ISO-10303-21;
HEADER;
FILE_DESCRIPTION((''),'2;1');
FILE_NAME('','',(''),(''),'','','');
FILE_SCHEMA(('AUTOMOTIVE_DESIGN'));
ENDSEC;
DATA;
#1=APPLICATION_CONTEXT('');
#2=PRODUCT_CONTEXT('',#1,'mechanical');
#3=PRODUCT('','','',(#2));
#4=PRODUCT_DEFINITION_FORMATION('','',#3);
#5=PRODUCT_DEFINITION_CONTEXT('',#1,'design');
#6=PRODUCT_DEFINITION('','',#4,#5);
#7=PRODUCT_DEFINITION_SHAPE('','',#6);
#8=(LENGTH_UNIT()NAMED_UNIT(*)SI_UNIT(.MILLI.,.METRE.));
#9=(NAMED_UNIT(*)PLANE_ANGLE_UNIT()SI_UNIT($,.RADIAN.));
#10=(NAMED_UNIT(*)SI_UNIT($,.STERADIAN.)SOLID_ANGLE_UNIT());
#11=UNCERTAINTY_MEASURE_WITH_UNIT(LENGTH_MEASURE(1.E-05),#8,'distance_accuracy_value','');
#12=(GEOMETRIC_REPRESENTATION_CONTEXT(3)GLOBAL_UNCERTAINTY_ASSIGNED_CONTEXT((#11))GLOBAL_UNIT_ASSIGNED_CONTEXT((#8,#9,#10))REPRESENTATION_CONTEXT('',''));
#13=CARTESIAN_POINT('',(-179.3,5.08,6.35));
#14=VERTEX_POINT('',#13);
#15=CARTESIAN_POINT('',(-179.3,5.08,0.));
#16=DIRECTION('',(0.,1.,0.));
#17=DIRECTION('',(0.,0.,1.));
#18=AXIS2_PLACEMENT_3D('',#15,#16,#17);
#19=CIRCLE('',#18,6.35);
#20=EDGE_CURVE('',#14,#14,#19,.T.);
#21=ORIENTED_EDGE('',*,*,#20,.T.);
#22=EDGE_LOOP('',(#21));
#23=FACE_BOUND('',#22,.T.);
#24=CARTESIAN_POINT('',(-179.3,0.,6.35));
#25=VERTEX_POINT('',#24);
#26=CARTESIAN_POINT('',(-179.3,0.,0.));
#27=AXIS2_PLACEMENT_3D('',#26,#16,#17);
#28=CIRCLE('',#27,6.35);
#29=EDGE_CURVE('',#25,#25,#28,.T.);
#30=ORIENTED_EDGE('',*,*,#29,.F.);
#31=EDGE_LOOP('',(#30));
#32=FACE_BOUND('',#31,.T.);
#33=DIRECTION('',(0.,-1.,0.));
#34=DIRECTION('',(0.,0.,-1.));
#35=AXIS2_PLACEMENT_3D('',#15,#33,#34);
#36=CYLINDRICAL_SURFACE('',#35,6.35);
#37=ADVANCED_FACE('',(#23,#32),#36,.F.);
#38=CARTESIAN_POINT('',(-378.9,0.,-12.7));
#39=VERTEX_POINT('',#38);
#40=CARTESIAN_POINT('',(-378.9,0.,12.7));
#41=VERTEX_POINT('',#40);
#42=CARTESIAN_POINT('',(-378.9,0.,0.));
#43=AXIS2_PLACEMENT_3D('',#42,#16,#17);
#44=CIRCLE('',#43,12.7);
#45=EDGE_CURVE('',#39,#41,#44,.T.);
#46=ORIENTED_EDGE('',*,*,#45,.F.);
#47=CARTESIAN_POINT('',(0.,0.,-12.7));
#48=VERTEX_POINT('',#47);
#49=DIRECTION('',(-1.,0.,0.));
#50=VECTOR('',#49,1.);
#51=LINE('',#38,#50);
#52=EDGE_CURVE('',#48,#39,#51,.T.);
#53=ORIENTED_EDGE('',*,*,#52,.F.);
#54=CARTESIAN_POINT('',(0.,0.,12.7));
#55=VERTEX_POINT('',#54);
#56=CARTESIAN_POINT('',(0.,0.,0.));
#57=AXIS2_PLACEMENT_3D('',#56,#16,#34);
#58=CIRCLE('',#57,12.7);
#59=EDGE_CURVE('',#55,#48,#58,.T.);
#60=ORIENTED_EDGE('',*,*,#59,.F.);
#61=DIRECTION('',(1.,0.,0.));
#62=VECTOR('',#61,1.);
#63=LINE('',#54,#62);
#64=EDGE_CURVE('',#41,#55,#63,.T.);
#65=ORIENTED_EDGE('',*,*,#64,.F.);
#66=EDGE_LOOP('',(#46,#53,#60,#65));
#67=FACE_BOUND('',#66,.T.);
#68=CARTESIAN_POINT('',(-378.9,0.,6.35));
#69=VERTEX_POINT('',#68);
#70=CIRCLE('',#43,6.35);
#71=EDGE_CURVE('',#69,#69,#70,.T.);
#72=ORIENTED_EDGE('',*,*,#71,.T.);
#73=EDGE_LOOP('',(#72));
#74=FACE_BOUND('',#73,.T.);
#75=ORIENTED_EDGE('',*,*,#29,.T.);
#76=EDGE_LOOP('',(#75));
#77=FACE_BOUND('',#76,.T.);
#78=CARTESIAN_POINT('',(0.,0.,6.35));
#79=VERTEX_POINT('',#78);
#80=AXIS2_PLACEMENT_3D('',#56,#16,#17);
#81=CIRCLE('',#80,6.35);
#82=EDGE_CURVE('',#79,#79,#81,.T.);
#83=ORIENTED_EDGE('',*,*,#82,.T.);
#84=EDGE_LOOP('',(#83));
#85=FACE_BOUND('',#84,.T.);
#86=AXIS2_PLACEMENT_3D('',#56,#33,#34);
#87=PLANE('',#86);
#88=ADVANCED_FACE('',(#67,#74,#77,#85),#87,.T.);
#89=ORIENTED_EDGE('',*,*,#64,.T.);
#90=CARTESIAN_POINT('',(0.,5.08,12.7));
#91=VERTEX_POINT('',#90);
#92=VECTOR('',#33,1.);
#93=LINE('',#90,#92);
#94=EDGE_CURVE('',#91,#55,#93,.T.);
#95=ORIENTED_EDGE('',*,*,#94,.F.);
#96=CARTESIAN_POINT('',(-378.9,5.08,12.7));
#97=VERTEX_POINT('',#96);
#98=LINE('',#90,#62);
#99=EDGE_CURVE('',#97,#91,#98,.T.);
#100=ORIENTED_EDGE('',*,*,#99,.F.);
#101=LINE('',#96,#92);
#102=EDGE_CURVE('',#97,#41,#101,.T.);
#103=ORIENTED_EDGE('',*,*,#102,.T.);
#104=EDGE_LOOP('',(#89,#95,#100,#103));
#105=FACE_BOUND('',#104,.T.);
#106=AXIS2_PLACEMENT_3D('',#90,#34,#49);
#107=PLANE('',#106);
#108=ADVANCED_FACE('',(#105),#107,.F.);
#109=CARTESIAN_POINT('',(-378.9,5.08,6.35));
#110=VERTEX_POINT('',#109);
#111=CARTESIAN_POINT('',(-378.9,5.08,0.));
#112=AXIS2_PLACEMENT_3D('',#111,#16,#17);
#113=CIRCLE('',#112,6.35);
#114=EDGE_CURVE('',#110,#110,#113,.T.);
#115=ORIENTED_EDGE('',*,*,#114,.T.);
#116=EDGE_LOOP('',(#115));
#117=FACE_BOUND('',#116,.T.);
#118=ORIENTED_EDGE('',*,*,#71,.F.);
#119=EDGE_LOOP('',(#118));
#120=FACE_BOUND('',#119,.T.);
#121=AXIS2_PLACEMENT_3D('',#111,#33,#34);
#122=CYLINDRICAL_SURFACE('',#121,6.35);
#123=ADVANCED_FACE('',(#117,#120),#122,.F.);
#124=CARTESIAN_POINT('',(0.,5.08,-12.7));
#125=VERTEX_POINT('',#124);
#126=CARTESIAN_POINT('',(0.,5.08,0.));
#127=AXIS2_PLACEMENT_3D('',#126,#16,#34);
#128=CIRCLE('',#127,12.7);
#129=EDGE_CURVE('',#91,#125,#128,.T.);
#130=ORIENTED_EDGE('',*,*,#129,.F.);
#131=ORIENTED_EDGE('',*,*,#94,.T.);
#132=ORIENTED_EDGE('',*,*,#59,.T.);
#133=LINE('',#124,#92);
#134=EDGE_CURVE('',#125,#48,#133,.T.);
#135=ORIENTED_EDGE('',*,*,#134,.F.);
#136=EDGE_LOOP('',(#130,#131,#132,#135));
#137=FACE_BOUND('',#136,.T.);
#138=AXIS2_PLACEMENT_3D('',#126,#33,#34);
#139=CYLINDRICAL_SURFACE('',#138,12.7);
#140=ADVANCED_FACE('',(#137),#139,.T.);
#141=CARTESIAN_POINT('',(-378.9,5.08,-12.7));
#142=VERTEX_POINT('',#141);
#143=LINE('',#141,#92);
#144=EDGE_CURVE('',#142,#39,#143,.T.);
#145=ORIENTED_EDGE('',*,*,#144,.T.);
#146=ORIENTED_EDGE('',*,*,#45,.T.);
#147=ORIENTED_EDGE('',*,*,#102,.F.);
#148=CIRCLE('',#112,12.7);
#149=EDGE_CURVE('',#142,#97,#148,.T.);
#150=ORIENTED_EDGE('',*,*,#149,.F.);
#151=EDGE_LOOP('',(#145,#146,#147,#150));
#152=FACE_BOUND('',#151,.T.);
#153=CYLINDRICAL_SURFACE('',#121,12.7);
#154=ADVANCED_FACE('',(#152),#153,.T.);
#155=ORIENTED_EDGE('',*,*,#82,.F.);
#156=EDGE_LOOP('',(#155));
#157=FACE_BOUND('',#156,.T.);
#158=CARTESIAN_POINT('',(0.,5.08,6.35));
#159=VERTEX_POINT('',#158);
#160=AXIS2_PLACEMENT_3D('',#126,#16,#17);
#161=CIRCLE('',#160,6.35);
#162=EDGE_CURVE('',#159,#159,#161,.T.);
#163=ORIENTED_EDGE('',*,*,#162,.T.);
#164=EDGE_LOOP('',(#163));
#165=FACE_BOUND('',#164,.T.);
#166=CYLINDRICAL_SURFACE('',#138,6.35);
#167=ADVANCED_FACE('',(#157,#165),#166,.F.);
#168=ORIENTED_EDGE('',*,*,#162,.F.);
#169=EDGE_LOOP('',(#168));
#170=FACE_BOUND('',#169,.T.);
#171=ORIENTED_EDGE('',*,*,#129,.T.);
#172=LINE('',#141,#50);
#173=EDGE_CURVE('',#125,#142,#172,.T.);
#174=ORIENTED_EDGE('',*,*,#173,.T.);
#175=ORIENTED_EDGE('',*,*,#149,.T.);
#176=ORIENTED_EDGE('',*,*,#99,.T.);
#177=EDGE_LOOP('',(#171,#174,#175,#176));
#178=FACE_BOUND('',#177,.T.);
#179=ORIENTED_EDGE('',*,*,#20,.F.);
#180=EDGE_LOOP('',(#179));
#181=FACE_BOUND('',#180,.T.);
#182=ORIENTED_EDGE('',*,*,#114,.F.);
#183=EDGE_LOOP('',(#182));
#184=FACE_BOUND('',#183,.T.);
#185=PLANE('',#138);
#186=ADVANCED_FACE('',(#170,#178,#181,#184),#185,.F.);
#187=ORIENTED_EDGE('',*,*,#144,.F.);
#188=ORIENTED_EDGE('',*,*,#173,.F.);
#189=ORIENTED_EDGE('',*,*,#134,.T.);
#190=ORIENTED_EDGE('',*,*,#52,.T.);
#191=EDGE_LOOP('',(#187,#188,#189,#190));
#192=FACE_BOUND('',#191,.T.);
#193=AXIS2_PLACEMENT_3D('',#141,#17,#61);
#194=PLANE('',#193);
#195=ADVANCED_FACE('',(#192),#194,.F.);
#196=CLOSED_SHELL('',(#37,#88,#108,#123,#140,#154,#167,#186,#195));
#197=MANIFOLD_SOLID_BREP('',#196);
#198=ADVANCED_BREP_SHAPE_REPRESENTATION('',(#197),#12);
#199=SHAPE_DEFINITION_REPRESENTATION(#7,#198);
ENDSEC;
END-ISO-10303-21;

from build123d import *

# Parameters (mm, degrees)
SKETCH2_R           = 6.35
BOSS_EXTRUDE1_DEPTH = 5.08


with BuildPart() as part:
    # Sketch2 → Boss-Extrude1 (new body)
    with BuildSketch(Plane(origin=(0, 0, 0), x_dir=(1, 0, 0), z_dir=(0, 1, 0))):
        with BuildLine():
            Line((-378.9, 12.7), (0, 12.7))
            ThreePointArc((0, 12.7), (12.7, 0), (0, -12.7))
            Line((0, -12.7), (-378.9, -12.7))
            ThreePointArc((-378.9, -12.7), (-391.6, 0), (-378.9, 12.7))
        make_face()
        with Locations(Location((0, 0, 0), (0, 0, 270))):
            Circle(SKETCH2_R, mode=Mode.SUBTRACT)
        with Locations(Location((-179.3, 0, 0), (0, 0, 270))):
            Circle(SKETCH2_R, mode=Mode.SUBTRACT)
        with Locations(Location((-378.9, 0, 0), (0, 0, 270))):
            Circle(SKETCH2_R, mode=Mode.SUBTRACT)
    extrude(amount=BOSS_EXTRUDE1_DEPTH)


solid = part.part
